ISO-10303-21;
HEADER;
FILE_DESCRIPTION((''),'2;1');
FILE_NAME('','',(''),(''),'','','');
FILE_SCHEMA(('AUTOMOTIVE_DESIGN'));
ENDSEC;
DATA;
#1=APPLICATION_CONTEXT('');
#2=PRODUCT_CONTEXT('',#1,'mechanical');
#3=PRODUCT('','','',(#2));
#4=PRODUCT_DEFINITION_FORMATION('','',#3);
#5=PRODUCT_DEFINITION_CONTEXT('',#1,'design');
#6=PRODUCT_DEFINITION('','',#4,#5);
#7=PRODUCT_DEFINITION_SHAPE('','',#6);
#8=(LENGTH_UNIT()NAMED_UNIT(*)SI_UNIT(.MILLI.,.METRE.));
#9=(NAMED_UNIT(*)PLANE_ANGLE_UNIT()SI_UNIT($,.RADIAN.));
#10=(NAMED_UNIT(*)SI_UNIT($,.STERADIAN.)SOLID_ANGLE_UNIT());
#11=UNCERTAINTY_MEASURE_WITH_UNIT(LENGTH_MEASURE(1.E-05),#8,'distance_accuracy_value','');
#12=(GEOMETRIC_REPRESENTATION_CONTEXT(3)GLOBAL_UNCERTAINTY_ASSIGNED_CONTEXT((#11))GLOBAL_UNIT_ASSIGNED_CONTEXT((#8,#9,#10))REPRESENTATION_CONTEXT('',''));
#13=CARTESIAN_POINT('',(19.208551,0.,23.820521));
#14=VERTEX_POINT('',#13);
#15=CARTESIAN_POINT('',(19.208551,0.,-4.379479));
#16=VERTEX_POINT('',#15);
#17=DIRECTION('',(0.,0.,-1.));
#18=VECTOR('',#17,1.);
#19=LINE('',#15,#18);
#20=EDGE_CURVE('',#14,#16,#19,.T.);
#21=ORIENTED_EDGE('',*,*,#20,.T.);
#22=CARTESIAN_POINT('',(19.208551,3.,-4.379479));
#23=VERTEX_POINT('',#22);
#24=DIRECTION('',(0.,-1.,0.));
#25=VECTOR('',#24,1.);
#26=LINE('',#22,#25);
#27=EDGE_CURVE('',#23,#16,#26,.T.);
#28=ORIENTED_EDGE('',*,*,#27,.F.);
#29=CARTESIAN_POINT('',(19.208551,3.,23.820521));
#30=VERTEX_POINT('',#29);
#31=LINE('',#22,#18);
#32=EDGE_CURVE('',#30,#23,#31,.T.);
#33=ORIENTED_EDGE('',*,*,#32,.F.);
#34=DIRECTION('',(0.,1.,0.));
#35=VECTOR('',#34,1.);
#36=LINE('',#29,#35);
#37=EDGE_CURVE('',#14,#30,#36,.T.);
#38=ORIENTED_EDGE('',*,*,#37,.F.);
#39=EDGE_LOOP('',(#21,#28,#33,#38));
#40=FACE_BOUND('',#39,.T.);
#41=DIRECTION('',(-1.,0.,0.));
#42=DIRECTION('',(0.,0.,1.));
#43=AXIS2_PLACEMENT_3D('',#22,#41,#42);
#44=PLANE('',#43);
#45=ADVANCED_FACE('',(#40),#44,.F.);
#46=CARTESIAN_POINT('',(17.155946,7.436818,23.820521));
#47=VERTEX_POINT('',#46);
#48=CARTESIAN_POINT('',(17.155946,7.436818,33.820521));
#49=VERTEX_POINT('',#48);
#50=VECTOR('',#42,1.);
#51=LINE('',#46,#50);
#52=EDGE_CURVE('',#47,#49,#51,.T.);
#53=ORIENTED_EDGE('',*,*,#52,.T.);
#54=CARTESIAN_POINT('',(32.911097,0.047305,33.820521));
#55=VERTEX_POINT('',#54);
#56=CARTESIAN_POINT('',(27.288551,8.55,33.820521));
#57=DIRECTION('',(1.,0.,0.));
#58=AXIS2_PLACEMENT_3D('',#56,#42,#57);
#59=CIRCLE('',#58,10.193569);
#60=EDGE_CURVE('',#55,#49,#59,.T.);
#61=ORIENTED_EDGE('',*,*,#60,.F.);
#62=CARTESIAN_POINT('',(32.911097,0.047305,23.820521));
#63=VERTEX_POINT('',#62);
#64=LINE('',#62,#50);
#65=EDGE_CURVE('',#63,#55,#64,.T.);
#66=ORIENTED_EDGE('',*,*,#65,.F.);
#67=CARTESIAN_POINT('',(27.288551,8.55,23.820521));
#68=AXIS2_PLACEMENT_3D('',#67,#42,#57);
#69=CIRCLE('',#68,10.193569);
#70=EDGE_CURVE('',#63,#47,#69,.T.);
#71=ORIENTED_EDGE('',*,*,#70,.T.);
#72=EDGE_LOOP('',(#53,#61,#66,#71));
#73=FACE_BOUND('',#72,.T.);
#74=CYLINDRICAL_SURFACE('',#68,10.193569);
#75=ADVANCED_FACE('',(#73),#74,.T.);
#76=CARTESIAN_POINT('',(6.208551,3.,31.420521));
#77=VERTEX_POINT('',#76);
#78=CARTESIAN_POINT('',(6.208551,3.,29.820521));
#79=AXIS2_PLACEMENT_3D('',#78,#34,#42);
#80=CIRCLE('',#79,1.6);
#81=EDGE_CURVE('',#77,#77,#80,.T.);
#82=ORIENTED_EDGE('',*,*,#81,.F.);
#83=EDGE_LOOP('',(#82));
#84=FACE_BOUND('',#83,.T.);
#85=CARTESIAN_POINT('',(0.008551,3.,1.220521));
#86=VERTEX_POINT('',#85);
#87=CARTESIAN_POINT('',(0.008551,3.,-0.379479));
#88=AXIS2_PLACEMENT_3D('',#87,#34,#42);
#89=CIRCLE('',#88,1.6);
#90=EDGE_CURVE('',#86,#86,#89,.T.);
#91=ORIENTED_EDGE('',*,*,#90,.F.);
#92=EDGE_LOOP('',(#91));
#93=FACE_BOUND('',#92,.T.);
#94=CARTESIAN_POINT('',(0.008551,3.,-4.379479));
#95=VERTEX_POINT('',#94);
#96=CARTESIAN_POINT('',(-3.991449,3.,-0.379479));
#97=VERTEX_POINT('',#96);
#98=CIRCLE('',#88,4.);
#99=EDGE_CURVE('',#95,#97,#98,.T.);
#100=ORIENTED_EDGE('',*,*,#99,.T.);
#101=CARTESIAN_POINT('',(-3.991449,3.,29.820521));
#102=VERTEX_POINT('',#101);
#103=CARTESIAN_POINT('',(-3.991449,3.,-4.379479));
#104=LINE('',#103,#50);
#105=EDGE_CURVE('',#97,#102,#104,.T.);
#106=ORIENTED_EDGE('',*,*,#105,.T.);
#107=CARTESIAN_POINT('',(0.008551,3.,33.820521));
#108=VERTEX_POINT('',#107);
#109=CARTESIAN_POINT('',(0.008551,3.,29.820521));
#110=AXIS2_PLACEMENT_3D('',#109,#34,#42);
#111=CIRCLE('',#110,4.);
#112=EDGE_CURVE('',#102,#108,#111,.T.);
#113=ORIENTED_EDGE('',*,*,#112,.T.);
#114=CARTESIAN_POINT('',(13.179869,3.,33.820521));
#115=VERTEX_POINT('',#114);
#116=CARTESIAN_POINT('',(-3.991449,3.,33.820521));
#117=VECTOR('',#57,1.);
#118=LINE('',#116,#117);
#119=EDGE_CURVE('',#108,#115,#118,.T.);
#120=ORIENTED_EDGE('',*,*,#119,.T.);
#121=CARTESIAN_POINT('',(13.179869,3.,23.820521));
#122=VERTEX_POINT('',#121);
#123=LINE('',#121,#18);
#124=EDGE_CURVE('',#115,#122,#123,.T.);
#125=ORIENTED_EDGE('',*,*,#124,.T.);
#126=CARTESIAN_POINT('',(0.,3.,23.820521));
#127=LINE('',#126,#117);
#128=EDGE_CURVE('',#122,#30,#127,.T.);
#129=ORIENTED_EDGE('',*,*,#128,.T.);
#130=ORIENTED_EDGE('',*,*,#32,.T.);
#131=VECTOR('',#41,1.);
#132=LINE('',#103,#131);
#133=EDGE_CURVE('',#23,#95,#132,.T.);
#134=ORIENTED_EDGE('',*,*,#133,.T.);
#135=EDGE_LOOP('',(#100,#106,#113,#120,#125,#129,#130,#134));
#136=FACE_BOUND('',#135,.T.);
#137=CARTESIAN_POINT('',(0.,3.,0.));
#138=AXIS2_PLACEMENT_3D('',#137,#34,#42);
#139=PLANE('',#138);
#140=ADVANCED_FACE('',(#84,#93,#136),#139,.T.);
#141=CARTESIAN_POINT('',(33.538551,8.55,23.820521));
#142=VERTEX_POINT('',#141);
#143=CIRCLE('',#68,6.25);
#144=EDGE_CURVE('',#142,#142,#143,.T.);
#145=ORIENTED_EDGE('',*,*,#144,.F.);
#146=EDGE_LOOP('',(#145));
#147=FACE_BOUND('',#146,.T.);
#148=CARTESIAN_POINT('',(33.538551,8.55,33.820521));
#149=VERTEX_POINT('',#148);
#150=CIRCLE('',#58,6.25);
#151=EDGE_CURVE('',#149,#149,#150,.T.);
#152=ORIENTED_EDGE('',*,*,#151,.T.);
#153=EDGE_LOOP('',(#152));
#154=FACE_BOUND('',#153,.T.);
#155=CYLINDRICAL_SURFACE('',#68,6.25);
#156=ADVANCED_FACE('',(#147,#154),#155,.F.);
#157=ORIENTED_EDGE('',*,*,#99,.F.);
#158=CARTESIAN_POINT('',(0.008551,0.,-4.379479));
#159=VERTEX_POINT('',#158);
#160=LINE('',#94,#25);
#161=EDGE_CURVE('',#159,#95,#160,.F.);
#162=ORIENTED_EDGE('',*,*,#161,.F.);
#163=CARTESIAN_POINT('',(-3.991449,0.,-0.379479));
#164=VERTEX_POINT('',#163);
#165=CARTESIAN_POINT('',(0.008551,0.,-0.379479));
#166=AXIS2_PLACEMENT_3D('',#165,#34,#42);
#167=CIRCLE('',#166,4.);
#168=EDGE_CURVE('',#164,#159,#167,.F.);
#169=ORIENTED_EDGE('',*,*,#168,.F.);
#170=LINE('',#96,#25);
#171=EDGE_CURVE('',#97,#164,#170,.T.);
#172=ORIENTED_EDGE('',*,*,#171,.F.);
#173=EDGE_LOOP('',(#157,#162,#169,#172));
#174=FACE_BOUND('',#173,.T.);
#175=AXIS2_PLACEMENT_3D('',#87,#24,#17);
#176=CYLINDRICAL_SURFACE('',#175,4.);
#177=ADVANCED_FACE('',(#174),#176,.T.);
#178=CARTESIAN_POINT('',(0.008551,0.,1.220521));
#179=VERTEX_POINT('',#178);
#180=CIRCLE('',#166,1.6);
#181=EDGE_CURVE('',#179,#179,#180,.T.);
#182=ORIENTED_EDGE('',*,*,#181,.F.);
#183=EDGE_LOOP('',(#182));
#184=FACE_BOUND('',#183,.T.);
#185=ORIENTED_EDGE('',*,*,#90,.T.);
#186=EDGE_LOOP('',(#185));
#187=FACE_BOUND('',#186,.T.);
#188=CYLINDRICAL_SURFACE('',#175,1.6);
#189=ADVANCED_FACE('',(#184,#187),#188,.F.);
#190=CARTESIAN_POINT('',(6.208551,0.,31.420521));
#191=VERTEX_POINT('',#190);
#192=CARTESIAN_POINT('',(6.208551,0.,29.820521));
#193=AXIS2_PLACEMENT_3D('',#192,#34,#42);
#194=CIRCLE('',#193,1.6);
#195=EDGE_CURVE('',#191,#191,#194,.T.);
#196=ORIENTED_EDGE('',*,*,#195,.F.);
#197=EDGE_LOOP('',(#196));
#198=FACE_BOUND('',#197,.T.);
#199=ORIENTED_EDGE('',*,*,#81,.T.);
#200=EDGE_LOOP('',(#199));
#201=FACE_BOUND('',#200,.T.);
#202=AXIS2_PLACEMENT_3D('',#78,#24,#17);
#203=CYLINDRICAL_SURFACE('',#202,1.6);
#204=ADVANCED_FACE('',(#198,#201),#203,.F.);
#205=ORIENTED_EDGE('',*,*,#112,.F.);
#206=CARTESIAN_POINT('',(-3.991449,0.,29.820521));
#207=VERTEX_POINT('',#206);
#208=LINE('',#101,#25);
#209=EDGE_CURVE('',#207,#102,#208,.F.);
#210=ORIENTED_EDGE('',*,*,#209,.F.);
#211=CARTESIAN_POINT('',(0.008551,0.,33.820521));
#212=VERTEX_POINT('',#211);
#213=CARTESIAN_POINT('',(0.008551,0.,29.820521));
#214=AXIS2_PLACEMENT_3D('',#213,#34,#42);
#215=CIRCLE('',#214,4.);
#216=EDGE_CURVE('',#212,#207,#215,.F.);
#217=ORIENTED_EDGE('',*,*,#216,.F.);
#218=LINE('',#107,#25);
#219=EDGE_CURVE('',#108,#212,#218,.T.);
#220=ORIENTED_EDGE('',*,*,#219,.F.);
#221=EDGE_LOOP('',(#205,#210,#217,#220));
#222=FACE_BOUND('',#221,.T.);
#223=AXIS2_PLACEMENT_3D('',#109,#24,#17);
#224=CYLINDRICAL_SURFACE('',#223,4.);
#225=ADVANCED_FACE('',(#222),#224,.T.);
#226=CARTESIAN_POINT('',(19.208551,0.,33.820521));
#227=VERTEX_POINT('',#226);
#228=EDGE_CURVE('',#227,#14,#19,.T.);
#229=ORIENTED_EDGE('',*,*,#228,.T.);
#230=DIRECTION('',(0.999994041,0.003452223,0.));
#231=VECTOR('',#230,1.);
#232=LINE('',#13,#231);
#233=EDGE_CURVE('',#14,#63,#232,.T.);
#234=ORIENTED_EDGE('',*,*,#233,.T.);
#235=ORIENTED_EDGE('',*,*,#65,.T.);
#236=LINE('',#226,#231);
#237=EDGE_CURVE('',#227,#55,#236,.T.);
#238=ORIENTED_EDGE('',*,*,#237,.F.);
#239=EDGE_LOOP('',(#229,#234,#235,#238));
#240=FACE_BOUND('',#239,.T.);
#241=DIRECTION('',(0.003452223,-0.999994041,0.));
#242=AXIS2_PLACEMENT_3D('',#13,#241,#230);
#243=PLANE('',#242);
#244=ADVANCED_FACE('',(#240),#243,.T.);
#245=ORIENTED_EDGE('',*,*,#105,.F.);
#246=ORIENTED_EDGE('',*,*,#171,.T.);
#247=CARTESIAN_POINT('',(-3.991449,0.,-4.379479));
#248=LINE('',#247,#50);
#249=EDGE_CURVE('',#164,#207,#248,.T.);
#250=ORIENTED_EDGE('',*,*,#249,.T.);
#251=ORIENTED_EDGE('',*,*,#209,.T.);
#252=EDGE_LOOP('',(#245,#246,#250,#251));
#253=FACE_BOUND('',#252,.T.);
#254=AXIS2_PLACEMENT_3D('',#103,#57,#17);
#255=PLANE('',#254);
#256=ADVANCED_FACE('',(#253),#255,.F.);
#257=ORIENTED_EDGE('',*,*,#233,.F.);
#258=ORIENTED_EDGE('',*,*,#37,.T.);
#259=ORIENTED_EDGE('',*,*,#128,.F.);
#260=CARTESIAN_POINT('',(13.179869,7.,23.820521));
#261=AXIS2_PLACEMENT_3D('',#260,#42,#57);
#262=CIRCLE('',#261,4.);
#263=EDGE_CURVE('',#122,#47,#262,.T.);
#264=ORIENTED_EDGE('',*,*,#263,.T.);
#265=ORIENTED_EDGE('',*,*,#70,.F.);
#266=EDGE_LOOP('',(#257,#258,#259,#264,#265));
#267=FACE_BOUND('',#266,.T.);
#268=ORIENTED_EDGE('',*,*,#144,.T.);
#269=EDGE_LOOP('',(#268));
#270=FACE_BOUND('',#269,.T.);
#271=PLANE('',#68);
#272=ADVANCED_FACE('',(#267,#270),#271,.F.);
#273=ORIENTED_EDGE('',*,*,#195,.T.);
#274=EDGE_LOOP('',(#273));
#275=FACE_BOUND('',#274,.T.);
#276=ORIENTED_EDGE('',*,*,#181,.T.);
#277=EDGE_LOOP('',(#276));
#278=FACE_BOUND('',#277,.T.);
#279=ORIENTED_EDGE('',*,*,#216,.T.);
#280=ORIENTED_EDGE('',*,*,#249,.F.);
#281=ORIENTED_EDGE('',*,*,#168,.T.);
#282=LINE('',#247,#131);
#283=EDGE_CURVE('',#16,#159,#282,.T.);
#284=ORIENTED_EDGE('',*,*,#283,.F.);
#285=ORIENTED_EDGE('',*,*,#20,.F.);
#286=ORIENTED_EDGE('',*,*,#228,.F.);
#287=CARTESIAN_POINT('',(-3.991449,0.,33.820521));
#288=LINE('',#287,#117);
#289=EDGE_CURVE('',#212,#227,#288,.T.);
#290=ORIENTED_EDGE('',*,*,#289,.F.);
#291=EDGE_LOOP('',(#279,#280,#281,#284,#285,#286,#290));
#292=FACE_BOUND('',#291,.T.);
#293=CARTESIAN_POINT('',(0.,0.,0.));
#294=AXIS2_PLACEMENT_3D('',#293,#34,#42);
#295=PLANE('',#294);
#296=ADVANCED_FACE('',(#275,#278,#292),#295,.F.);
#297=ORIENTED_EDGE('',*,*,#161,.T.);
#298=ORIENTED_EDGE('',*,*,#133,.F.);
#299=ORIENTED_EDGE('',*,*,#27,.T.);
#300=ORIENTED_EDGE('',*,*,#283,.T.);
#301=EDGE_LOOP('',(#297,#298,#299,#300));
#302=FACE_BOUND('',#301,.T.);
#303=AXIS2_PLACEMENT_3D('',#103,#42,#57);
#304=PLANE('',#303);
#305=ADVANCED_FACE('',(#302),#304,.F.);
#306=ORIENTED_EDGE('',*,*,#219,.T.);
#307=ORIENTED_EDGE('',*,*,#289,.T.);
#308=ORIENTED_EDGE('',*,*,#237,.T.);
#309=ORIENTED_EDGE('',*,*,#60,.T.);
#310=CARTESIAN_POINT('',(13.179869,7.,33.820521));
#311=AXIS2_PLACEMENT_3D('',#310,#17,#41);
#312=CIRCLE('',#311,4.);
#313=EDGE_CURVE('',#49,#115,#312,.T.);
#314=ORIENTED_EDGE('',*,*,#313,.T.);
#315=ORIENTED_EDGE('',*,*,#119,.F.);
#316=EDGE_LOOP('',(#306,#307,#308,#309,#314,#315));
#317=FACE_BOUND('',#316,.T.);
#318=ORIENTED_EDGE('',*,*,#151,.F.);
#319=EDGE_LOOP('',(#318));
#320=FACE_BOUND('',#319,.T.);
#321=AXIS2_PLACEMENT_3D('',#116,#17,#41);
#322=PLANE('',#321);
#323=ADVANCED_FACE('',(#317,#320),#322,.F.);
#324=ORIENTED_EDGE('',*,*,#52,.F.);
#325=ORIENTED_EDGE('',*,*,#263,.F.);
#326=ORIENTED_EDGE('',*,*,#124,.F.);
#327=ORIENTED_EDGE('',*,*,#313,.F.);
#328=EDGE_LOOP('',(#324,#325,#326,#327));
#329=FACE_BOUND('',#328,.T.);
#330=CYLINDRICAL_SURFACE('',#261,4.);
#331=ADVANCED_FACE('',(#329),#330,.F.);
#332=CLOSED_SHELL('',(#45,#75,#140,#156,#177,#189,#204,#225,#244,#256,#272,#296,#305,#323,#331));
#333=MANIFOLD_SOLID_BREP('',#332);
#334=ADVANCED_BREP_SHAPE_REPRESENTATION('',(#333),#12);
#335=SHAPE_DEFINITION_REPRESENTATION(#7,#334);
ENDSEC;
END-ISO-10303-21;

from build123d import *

# Parameters (mm, degrees)
SKETCH1_W           = 23.2
SKETCH1_H           = 38.2
SKETCH1_R           = 1.6
BOSS_EXTRUDE1_DEPTH = 3
FILLET1_R           = 4
SKETCH2_R           = 6.25
BOSS_EXTRUDE2_DEPTH = 10
FILLET2_R           = 4


with BuildPart() as part:
    # Sketch1 → Boss-Extrude1 (new body)
    with BuildSketch(Plane(origin=(0, 0, 0), x_dir=(1, 0, 0), z_dir=(0, 1, 0))):
        with Locations((7.60855083, -14.720520933)):
            Rectangle(SKETCH1_W, SKETCH1_H)
        with Locations((0.00855083, 0.379479067)):
            Circle(SKETCH1_R, mode=Mode.SUBTRACT)
        with Locations((6.20855083, -29.820520933)):
            Circle(SKETCH1_R, mode=Mode.SUBTRACT)
    extrude(amount=BOSS_EXTRUDE1_DEPTH)

    # Fillet1
    fillet1_edges = [part.edges().sort_by_distance(p)[0] for p in [
        (-3.99144917, 1.5, -4.379479067),
        (-3.99144917, 1.5, 33.820520933),
    ]]
    fillet(fillet1_edges, radius=FILLET1_R)

    # Sketch2 → Boss-Extrude2 (add)
    with BuildSketch(Plane.XY.offset(33.820520933)):
        with BuildLine():
            Line((19.20855083, 0), (32.911096752, 0.047304531))
            ThreePointArc((32.911096752, 0.047304531), (28.967391183, 18.604369594), (19.20855083, 2.335303477))
            Line((19.20855083, 2.335303477), (19.20855083, 0))
        make_face()
        with Locations((27.28855083, 8.55)):
            Circle(SKETCH2_R, mode=Mode.SUBTRACT)
    extrude(amount=-BOSS_EXTRUDE2_DEPTH)

    # Fillet2
    fillet2_edges = [part.edges().sort_by_distance(p)[0] for p in [
        (18.738325519, 3, 28.820520933),
    ]]
    fillet(fillet2_edges, radius=FILLET2_R)


solid = part.part
